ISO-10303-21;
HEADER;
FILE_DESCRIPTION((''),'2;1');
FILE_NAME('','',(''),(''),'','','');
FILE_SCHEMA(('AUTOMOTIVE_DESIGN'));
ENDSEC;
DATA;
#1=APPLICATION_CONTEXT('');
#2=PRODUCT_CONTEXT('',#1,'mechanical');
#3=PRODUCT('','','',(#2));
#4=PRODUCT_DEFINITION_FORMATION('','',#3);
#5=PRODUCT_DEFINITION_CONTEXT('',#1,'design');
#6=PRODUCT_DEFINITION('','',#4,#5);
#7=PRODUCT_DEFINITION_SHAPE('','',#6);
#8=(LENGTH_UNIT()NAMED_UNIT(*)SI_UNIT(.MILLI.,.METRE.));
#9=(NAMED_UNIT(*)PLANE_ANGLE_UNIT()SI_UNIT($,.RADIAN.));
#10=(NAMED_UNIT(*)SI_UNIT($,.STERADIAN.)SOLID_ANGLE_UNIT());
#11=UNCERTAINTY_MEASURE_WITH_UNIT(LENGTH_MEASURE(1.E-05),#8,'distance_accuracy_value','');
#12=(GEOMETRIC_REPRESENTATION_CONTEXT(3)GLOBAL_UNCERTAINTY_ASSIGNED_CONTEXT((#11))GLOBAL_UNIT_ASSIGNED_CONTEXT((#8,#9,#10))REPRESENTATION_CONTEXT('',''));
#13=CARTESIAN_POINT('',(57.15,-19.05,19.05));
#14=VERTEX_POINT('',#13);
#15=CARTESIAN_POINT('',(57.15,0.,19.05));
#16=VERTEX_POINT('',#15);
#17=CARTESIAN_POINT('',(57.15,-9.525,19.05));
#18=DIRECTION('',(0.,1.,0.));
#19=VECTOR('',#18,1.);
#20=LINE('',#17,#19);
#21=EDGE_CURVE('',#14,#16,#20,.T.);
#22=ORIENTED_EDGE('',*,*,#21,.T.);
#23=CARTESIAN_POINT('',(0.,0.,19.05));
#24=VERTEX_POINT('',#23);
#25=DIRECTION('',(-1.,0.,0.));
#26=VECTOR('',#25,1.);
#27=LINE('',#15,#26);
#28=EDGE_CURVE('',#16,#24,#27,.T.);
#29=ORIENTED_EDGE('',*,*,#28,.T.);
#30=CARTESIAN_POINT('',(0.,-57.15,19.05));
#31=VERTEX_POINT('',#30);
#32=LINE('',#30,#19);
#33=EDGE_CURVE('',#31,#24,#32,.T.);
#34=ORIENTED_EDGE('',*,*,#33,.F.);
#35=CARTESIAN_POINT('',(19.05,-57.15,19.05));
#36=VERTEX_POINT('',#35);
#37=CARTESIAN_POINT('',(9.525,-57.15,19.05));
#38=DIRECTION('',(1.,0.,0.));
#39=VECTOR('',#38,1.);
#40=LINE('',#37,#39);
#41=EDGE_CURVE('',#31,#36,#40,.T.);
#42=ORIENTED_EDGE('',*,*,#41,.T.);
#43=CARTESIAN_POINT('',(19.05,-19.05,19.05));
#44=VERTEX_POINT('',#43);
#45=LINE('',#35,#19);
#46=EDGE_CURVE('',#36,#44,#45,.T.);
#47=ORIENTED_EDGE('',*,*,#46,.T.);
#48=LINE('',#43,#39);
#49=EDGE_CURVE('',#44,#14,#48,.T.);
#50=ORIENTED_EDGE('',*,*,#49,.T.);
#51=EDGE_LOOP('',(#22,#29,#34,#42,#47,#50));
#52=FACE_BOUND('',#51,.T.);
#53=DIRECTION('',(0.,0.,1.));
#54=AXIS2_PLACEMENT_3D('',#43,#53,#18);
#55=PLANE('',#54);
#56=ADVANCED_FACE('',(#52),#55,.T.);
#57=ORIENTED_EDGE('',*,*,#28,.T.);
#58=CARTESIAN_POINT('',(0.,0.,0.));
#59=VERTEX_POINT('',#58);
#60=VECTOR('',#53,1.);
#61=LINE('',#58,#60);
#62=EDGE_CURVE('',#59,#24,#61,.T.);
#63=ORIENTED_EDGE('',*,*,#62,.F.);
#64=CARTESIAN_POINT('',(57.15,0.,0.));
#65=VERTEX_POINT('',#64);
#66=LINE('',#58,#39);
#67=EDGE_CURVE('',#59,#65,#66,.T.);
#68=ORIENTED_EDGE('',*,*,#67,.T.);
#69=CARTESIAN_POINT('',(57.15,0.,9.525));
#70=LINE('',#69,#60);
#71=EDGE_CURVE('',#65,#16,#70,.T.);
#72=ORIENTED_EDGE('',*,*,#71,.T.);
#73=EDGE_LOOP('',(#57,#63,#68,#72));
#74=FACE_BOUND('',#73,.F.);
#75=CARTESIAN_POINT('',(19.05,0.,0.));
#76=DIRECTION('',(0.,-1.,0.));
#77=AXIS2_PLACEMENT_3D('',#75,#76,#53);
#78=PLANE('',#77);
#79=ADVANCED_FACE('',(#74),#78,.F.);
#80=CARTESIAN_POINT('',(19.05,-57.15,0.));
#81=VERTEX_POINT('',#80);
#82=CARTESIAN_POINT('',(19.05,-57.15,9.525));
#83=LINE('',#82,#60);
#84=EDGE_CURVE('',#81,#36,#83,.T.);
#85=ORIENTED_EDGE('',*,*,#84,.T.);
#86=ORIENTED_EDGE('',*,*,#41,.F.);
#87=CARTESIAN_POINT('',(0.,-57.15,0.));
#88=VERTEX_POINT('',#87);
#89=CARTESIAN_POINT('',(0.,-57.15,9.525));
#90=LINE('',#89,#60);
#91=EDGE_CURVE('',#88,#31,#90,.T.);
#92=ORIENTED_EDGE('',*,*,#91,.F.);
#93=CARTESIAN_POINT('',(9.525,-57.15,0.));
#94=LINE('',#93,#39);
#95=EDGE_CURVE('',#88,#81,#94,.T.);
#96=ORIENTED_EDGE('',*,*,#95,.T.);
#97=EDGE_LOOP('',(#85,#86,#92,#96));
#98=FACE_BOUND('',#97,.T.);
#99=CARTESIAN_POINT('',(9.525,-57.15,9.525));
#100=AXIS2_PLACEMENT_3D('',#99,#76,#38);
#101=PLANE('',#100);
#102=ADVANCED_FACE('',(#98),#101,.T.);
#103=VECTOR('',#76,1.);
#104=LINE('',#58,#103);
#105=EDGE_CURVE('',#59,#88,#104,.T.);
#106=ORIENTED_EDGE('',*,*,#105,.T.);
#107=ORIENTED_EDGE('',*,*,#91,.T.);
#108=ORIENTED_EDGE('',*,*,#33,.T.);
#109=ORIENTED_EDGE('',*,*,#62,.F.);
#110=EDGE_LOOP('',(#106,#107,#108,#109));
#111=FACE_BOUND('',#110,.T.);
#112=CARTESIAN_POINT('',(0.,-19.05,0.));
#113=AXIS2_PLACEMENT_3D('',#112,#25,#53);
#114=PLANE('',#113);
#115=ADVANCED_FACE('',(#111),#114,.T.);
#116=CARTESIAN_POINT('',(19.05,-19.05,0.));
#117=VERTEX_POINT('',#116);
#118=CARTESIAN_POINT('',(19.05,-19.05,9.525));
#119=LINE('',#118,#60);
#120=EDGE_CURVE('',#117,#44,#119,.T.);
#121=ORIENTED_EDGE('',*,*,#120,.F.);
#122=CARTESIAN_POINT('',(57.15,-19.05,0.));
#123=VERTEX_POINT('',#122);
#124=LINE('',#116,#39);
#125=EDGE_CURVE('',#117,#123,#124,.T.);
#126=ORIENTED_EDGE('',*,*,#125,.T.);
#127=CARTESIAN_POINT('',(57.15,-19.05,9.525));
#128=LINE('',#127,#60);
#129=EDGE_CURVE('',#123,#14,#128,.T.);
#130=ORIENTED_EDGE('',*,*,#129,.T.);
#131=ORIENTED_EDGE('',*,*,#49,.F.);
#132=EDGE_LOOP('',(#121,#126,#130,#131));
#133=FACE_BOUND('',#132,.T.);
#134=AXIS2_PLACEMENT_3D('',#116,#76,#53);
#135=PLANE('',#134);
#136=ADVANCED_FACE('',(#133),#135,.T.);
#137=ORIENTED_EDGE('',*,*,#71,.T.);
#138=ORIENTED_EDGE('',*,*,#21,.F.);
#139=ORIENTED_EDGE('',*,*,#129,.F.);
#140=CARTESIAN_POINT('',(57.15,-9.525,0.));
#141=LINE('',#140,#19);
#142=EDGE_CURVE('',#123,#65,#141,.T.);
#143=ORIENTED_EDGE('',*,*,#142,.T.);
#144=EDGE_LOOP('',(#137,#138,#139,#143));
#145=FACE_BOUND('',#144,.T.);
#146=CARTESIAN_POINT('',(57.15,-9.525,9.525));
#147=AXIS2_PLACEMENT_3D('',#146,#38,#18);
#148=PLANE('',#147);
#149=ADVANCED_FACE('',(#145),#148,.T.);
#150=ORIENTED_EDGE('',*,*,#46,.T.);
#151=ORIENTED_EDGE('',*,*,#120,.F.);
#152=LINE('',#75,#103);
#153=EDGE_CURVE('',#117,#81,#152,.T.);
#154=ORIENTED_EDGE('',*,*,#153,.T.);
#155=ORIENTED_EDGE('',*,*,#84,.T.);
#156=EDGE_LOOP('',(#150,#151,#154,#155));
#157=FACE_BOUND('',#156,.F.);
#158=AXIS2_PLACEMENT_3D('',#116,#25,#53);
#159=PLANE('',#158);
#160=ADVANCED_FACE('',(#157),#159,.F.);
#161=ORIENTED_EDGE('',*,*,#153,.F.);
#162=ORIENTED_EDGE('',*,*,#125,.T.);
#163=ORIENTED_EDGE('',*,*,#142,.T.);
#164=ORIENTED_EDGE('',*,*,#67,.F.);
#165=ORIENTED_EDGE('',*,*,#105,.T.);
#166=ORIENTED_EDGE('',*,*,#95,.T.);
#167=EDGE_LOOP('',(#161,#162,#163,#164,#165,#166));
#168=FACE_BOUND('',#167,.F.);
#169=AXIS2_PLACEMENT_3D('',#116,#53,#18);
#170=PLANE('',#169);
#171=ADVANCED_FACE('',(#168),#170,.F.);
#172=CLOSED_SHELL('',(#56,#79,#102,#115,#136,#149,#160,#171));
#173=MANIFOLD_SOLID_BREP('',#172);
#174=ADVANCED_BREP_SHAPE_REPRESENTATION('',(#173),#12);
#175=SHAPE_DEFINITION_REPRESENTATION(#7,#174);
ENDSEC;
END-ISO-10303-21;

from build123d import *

# Parameters (mm, degrees)
F0_W      = 19.05
F0_H      = 19.05
F1_DEPTH  = 19.05
F1_FACE_W = 19.05
F1_FACE_H = 19.05
F2_DEPTH  = 38.1
F3_W      = 19.05
F3_H      = 19.05
F4_DEPTH  = 38.1


with BuildPart() as f1:
    # F0 (on Top) → F1 (new body)
    with BuildSketch(Plane.XY):
        with Locations((9.525, -9.525)):
            Rectangle(F0_W, F0_H)
    extrude(amount=F1_DEPTH)

    # F1_face (on face) → F2 (join)
    with BuildSketch(Plane(origin=(9.525, -19.05, 9.525), x_dir=(1, 0, 0), z_dir=(0, -1, 0))):
        Rectangle(F1_FACE_W, F1_FACE_H)
    extrude(amount=F2_DEPTH)

    # F3 (on face) → F4 (join)
    with BuildSketch(Plane.YZ.offset(19.05)):
        with Locations((-9.525, 9.525)):
            Rectangle(F3_W, F3_H)
    extrude(amount=F4_DEPTH)


solid = f1.part
